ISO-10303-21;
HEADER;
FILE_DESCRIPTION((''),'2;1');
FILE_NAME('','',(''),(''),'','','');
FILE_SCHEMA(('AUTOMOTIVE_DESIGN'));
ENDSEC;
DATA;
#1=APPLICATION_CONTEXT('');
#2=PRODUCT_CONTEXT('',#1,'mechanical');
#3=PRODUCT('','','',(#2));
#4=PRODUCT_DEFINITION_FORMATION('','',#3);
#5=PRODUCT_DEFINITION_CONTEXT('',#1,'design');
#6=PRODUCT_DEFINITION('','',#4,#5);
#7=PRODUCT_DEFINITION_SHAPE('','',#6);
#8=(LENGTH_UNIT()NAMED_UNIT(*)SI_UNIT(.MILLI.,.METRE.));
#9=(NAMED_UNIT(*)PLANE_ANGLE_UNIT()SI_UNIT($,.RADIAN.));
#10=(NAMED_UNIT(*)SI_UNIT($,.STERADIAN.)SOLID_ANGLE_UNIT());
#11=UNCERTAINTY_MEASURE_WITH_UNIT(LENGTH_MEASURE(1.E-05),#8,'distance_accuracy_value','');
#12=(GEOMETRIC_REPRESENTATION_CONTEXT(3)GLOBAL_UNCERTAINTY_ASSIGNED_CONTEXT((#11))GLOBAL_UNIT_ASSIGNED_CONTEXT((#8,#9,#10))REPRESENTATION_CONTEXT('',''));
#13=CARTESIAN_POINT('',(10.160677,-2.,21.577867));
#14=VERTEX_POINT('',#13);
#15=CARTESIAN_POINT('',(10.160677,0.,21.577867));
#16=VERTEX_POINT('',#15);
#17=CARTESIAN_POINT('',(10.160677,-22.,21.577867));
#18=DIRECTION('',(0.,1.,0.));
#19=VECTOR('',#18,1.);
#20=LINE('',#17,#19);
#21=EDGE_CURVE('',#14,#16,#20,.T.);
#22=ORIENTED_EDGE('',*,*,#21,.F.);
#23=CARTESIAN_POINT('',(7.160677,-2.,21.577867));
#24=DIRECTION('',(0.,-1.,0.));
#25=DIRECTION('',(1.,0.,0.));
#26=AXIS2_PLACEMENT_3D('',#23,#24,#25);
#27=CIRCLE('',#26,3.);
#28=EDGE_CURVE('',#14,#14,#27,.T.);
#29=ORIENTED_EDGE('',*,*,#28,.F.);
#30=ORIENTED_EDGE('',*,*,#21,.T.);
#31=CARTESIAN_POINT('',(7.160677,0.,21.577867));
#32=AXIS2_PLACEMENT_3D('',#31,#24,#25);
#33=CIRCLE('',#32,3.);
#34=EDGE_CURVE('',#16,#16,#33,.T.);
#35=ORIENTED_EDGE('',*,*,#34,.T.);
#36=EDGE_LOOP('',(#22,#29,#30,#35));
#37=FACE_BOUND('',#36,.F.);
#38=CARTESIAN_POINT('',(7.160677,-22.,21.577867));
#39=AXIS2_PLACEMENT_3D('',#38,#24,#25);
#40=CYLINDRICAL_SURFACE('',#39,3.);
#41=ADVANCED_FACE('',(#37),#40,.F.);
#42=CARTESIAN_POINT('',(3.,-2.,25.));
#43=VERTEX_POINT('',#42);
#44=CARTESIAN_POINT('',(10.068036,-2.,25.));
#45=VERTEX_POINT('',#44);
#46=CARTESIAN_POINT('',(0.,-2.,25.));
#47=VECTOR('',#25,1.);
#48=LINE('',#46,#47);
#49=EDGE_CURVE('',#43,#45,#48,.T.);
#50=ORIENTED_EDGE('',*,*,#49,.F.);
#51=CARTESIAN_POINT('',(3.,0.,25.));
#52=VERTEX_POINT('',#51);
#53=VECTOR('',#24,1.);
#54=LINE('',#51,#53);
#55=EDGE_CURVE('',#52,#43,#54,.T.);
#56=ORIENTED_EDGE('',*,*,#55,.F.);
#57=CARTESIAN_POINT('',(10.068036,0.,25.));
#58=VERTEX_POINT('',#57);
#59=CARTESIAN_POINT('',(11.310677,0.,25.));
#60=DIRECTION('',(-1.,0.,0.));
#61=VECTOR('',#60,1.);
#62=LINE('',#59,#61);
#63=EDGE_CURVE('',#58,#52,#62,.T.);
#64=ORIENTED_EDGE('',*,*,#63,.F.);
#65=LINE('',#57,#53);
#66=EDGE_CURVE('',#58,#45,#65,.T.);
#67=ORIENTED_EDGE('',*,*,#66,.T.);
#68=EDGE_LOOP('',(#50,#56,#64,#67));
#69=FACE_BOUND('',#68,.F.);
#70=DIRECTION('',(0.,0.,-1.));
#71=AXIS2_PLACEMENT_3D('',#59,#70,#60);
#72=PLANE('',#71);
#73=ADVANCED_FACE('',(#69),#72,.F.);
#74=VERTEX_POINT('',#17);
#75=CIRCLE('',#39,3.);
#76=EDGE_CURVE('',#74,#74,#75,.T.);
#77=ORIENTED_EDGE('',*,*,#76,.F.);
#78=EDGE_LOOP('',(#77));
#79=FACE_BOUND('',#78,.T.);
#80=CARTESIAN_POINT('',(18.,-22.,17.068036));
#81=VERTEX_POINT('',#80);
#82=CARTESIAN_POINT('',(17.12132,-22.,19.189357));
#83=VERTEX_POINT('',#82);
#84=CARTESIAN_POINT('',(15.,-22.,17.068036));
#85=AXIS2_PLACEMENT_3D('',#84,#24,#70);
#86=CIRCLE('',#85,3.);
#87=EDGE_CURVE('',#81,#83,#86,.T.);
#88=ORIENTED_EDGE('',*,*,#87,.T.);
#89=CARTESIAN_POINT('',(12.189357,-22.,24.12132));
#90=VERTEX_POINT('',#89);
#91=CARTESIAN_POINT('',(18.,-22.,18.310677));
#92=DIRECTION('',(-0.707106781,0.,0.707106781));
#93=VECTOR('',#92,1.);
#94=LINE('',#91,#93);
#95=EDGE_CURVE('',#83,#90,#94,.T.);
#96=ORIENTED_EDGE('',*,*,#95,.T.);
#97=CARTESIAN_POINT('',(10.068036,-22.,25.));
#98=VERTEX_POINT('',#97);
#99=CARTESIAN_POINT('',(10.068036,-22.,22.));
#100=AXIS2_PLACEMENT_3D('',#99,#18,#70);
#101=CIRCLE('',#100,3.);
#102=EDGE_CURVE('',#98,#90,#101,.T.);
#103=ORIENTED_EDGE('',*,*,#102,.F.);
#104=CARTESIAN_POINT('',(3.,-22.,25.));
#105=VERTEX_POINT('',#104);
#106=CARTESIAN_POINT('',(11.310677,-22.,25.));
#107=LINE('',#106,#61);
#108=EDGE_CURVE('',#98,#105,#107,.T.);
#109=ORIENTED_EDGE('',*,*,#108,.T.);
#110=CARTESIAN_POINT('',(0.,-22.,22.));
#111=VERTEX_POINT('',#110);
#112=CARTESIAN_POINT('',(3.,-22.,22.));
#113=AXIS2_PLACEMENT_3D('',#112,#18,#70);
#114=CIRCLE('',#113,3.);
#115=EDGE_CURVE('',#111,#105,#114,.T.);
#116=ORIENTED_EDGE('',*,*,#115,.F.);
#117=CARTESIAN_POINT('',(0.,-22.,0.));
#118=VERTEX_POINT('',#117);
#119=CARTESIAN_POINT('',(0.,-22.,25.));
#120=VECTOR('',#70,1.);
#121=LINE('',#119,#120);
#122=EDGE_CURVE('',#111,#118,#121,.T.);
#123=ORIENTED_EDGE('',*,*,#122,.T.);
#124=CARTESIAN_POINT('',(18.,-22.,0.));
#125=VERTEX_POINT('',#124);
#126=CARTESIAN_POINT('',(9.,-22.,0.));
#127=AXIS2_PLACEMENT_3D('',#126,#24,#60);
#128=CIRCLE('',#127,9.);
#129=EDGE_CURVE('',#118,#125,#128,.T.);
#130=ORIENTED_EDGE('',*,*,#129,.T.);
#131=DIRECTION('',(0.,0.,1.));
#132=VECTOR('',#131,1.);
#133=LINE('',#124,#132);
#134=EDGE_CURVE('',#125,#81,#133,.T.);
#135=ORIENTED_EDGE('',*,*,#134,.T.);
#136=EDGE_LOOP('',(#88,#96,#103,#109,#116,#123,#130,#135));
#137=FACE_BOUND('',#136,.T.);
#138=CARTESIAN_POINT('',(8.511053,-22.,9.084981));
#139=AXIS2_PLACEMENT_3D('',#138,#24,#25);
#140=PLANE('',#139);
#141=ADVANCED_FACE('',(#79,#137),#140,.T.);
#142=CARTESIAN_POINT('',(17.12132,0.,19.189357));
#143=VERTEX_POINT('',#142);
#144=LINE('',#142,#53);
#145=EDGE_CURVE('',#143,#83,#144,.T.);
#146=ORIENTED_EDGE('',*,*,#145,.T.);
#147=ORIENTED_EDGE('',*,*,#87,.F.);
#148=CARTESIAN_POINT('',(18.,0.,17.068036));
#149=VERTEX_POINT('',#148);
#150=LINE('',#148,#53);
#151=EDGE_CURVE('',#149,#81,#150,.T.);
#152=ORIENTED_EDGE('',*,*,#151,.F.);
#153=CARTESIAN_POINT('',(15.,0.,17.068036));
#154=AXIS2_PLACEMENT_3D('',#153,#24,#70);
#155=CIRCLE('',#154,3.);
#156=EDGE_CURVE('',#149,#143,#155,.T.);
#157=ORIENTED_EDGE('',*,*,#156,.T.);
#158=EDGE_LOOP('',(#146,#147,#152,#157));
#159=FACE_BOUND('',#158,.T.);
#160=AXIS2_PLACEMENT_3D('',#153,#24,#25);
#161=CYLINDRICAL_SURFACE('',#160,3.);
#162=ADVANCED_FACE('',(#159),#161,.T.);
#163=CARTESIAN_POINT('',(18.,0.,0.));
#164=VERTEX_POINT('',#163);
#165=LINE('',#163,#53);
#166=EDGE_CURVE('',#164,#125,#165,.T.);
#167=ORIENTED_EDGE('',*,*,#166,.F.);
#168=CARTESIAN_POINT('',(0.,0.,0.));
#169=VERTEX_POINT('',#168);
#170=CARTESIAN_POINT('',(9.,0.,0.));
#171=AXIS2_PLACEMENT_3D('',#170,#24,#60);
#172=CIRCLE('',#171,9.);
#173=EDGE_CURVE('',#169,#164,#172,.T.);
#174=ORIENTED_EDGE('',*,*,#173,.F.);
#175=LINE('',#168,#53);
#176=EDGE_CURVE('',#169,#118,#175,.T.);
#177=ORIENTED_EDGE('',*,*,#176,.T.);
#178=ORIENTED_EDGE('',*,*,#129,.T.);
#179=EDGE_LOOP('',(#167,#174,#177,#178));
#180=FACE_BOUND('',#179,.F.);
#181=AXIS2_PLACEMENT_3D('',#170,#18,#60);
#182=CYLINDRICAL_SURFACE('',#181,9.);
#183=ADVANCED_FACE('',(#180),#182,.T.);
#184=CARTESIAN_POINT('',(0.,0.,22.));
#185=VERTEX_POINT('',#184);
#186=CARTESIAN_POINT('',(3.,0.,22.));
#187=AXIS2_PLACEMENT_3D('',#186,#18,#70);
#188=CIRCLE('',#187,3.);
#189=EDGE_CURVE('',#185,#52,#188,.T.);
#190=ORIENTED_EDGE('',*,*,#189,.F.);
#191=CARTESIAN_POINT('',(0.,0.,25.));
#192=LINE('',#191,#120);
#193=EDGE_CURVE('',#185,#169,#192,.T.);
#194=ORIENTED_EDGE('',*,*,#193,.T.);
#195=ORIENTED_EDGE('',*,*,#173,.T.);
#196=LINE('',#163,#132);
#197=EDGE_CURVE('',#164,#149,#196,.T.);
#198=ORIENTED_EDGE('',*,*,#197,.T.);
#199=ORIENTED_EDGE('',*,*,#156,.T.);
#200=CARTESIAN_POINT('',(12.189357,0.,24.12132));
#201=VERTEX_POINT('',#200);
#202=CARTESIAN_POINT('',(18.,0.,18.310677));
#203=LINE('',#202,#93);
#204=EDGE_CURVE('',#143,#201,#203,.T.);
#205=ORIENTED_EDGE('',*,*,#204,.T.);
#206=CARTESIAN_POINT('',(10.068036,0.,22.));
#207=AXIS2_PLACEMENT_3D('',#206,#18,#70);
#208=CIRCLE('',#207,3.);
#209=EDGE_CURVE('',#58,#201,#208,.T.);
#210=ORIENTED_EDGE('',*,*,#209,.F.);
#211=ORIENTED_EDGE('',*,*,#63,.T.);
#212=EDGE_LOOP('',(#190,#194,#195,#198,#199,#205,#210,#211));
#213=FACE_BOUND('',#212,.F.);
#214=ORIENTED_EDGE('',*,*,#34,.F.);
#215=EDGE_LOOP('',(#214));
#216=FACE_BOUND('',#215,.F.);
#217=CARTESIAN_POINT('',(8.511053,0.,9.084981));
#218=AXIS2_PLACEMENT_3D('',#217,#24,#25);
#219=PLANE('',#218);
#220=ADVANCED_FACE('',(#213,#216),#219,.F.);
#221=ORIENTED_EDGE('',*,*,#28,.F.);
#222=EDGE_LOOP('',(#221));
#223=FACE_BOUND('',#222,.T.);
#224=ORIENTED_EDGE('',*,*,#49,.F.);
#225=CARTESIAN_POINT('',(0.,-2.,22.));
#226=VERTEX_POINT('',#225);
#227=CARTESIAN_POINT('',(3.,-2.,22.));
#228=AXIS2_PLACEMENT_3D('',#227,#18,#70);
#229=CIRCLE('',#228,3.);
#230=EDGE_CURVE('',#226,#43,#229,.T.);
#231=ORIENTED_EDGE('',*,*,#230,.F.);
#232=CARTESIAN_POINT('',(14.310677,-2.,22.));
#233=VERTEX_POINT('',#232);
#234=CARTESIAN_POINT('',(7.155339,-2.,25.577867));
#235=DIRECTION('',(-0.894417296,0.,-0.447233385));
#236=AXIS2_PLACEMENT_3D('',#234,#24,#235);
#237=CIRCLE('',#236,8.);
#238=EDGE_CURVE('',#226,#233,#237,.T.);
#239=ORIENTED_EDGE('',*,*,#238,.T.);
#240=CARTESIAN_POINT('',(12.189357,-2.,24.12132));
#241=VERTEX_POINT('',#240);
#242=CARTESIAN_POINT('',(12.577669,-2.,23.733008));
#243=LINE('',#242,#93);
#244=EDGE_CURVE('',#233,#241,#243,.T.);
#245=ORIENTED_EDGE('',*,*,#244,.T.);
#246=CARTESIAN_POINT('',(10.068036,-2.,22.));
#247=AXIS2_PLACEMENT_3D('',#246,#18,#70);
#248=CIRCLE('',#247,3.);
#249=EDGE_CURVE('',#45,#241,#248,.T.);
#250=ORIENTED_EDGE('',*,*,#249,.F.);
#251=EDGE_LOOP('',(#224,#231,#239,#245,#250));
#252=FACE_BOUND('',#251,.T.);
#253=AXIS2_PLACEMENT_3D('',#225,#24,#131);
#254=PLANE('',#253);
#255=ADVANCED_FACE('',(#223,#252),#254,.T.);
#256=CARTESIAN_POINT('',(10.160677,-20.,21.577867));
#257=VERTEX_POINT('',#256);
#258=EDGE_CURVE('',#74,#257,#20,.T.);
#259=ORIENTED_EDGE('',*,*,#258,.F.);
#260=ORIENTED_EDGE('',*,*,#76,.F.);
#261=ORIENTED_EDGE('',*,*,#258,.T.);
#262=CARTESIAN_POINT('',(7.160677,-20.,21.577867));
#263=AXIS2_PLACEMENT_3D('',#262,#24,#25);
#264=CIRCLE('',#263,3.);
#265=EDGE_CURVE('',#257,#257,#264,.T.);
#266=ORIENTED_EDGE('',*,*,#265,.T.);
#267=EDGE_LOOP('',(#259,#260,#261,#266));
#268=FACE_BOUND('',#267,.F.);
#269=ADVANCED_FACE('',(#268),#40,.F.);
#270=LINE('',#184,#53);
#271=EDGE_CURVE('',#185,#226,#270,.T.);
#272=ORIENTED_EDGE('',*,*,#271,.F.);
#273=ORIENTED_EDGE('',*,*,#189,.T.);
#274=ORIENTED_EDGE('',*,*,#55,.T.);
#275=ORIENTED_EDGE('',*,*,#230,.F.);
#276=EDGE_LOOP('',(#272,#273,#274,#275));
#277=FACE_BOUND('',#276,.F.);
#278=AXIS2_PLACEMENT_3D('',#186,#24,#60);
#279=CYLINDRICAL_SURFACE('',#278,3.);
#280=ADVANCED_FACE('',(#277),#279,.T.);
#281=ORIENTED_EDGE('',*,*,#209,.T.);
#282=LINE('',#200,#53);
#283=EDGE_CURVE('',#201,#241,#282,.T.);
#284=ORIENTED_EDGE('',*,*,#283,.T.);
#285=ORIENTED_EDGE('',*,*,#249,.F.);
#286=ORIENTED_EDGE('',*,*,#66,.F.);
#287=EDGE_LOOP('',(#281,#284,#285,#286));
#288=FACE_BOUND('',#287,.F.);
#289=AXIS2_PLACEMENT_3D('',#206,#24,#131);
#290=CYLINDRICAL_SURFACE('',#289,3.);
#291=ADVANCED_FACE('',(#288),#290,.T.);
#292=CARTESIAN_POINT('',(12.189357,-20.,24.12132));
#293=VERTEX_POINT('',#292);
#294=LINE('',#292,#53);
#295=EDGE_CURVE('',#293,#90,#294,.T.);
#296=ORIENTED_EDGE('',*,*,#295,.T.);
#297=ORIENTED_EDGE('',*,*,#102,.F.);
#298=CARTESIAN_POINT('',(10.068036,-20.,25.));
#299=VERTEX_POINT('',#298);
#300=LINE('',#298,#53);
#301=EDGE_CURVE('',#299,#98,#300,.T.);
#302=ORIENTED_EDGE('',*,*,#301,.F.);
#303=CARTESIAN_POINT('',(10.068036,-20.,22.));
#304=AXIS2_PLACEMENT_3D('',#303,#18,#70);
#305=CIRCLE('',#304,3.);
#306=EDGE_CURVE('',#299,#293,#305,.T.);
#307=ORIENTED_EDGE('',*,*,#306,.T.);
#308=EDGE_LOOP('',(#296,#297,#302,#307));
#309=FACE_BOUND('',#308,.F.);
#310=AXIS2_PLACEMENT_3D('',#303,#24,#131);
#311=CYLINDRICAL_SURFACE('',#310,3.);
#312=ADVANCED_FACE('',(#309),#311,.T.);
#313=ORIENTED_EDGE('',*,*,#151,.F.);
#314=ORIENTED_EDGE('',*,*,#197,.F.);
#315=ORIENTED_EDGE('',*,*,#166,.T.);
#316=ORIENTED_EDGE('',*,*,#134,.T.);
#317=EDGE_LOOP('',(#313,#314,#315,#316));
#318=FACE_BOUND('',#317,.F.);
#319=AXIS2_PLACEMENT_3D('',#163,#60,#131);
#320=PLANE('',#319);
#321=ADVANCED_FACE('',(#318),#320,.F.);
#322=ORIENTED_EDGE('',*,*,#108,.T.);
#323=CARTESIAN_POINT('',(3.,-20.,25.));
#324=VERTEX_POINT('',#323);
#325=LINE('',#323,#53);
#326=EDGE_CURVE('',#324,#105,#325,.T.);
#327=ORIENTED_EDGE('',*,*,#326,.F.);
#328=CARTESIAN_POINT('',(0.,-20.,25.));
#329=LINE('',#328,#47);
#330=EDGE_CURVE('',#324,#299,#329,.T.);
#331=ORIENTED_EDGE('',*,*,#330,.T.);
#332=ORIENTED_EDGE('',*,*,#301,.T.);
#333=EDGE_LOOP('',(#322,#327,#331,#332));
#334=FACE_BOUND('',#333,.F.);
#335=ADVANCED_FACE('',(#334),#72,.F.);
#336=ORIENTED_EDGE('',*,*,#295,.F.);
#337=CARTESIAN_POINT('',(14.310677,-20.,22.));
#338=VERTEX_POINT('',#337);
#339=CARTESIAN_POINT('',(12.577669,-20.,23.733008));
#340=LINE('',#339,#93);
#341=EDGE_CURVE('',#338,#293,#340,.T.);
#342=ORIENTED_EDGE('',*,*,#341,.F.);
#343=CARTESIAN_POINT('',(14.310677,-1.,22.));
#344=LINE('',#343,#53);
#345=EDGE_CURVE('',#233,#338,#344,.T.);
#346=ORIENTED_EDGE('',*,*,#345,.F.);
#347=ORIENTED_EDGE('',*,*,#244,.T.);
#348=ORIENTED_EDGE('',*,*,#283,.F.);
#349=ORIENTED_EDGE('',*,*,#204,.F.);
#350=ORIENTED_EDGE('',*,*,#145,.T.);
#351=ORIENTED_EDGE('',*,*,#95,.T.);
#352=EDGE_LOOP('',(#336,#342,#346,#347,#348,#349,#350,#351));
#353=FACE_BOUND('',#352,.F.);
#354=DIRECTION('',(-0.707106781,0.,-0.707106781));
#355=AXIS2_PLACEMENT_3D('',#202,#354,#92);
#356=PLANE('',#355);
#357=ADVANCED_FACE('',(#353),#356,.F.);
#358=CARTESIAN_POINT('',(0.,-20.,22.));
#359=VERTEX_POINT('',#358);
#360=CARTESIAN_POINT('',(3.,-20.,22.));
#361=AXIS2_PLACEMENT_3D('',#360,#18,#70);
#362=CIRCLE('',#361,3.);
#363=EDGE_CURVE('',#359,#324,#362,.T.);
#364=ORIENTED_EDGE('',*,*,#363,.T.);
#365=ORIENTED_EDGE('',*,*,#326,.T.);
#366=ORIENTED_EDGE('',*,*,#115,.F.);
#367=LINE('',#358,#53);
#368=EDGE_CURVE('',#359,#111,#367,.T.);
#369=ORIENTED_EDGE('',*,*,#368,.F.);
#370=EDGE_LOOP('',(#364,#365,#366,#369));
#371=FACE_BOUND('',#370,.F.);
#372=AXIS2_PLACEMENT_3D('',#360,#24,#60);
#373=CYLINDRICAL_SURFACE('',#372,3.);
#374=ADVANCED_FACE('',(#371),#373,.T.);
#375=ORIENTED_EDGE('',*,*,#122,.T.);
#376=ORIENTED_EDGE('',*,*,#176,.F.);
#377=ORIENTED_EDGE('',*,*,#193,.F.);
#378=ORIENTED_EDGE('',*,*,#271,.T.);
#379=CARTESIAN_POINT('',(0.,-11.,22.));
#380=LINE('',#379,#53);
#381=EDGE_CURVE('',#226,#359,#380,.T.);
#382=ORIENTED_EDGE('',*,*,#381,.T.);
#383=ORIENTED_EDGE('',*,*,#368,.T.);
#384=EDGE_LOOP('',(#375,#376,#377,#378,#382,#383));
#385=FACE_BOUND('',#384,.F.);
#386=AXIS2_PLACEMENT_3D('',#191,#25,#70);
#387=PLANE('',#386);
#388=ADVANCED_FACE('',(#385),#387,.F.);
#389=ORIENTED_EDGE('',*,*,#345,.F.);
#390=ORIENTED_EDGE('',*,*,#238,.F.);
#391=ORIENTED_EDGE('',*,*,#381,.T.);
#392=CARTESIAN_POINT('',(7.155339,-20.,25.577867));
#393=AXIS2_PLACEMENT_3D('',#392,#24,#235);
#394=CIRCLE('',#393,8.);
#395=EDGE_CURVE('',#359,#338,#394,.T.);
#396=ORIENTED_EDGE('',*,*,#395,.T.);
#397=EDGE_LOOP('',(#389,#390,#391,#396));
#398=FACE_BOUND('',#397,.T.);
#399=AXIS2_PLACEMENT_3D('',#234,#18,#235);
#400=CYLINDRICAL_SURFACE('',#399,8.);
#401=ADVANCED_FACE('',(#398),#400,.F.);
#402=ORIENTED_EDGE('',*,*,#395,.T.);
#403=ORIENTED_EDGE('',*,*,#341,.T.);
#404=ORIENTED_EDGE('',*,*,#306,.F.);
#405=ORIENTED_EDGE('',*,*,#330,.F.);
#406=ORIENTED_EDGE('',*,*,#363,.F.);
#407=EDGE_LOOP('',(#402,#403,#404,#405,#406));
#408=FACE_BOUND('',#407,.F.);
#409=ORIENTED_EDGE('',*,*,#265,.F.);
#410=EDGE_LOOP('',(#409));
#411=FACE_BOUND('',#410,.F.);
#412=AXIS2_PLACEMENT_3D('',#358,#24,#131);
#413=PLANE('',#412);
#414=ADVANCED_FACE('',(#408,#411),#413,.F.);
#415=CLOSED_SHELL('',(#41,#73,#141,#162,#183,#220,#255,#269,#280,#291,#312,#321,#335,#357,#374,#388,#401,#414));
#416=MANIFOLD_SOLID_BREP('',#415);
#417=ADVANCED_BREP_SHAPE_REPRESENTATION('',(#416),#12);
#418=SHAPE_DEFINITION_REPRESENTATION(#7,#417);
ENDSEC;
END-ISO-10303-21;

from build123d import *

# Parameters (mm, degrees)
F1_DEPTH = 22
F2_W     = 18
F2_H     = 3
F3_DEPTH = 25
F6_DEPTH = 18
F7_R     = 3
F8_R     = 3
F9_DEPTH = 25


with BuildPart() as f1:
    # F0 (on Front) → F1 (new body)
    with BuildSketch(Plane.XZ):
        with BuildLine():
            ThreePointArc((0, 0), (9, -9), (18, 0))
            Line((18, 0), (18, 18.310677))
            Line((18, 18.310677), (11.310677, 25))
            Line((11.310677, 25), (0, 25))
            Line((0, 25), (0, 0))
        make_face()
    extrude(amount=F1_DEPTH)

    # F2 (on face) → F3 (cut)
    with BuildSketch(Plane(origin=(0, 0, 0), x_dir=(0, -1, 0), z_dir=(-1, 0, 0))):
        with Locations((11, 23.5)):
            Rectangle(F2_W, F2_H)
    extrude(amount=-F3_DEPTH, mode=Mode.SUBTRACT)

    # F5 (on offset) → F6 (cut)
    with BuildSketch(Plane.XZ.offset(2)):
        with BuildLine():
            Line((14.310677, 22), (0, 22))
            ThreePointArc((0, 22), (7.155339, 17.577867), (14.310677, 22))
        make_face()
    extrude(amount=F6_DEPTH, mode=Mode.SUBTRACT)

    # F7
    f7_edges = [f1.edges().sort_by_distance(p)[0] for p in [
        (18, -11, 18.310677),
        (11.310677, -21, 25),
        (11.310677, -1, 25),
        (0, -21, 25),
        (0, -1, 25),
    ]]
    fillet(f7_edges, radius=F7_R)

    # F8 (on face) → F9 (cut)
    with BuildSketch(Plane.XZ.offset(22)):
        with Locations((7.160677, 21.577867)):
            Circle(F8_R)
    extrude(amount=-F9_DEPTH, mode=Mode.SUBTRACT)


solid = f1.part
